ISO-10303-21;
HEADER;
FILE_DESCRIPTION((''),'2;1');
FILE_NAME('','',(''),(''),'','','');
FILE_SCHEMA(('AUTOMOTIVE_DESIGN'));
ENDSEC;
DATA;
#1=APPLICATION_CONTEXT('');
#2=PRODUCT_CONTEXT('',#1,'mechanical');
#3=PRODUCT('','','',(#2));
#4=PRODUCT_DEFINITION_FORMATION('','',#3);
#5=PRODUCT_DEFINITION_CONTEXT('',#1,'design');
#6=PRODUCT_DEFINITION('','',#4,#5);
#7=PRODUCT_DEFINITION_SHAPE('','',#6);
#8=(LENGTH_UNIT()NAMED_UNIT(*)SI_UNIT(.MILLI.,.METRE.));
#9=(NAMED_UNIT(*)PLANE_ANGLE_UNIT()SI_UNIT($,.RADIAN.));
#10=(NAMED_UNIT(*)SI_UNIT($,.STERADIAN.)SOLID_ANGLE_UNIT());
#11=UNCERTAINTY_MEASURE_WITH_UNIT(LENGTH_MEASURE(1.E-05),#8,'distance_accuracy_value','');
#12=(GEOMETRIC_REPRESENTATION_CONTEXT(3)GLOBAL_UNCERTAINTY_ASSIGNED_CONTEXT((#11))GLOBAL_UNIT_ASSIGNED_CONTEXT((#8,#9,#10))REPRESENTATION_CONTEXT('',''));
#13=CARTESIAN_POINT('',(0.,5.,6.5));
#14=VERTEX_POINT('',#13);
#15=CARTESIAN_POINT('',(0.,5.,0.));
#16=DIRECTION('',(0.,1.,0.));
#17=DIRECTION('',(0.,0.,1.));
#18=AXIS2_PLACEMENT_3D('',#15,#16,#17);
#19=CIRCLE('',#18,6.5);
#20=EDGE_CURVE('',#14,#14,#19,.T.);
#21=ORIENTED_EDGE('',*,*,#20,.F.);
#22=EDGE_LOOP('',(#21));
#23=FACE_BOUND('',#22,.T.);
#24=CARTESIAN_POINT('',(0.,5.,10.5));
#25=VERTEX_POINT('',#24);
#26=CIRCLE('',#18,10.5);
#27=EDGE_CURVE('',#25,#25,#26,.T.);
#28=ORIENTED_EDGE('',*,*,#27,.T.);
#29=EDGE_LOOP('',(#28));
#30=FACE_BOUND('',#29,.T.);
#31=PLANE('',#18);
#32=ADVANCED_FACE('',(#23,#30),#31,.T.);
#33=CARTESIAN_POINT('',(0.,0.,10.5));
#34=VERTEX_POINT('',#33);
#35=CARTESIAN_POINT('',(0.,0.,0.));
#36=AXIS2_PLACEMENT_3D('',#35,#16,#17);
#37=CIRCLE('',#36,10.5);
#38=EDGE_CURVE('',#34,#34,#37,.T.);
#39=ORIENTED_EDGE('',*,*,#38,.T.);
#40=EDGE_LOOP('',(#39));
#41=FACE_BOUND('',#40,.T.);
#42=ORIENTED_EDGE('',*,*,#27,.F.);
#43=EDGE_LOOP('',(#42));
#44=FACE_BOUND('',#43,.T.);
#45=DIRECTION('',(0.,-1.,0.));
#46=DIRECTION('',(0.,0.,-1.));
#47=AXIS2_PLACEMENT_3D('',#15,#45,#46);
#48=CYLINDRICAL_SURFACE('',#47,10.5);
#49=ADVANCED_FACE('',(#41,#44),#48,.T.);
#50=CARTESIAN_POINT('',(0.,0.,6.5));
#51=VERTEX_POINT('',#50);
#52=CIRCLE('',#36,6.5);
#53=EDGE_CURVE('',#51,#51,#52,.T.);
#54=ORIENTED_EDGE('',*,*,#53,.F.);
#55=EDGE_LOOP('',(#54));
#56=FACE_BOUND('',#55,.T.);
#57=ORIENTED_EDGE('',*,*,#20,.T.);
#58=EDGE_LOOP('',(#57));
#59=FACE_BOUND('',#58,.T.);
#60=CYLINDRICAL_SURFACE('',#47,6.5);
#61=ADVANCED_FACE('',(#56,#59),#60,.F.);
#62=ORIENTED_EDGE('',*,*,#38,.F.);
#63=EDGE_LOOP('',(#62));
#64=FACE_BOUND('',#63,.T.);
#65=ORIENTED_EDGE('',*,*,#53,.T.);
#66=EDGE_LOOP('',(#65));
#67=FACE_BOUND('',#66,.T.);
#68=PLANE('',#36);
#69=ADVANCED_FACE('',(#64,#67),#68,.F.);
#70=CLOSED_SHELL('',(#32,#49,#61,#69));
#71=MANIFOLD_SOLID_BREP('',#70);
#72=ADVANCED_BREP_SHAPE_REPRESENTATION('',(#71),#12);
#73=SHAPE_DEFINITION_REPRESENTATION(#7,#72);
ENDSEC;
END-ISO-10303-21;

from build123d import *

# Parameters (mm, degrees)
SKETCH_1_R      = 10.5
SKETCH_1_R_2    = 6.5
EXTRUDE_1_DEPTH = 5


with BuildPart() as part:
    # Эскиз1 → Бобышка-Вытянуть1 (new body)
    with BuildSketch(Plane(origin=(0, 0, 0), x_dir=(1, 0, 0), z_dir=(0, 1, 0))):
        with Locations(Location((0, 0, 0), (0, 0, 270))):
            Circle(SKETCH_1_R)
        with Locations(Location((0, 0, 0), (0, 0, 270))):
            Circle(SKETCH_1_R_2, mode=Mode.SUBTRACT)
    extrude(amount=EXTRUDE_1_DEPTH)


solid = part.part
